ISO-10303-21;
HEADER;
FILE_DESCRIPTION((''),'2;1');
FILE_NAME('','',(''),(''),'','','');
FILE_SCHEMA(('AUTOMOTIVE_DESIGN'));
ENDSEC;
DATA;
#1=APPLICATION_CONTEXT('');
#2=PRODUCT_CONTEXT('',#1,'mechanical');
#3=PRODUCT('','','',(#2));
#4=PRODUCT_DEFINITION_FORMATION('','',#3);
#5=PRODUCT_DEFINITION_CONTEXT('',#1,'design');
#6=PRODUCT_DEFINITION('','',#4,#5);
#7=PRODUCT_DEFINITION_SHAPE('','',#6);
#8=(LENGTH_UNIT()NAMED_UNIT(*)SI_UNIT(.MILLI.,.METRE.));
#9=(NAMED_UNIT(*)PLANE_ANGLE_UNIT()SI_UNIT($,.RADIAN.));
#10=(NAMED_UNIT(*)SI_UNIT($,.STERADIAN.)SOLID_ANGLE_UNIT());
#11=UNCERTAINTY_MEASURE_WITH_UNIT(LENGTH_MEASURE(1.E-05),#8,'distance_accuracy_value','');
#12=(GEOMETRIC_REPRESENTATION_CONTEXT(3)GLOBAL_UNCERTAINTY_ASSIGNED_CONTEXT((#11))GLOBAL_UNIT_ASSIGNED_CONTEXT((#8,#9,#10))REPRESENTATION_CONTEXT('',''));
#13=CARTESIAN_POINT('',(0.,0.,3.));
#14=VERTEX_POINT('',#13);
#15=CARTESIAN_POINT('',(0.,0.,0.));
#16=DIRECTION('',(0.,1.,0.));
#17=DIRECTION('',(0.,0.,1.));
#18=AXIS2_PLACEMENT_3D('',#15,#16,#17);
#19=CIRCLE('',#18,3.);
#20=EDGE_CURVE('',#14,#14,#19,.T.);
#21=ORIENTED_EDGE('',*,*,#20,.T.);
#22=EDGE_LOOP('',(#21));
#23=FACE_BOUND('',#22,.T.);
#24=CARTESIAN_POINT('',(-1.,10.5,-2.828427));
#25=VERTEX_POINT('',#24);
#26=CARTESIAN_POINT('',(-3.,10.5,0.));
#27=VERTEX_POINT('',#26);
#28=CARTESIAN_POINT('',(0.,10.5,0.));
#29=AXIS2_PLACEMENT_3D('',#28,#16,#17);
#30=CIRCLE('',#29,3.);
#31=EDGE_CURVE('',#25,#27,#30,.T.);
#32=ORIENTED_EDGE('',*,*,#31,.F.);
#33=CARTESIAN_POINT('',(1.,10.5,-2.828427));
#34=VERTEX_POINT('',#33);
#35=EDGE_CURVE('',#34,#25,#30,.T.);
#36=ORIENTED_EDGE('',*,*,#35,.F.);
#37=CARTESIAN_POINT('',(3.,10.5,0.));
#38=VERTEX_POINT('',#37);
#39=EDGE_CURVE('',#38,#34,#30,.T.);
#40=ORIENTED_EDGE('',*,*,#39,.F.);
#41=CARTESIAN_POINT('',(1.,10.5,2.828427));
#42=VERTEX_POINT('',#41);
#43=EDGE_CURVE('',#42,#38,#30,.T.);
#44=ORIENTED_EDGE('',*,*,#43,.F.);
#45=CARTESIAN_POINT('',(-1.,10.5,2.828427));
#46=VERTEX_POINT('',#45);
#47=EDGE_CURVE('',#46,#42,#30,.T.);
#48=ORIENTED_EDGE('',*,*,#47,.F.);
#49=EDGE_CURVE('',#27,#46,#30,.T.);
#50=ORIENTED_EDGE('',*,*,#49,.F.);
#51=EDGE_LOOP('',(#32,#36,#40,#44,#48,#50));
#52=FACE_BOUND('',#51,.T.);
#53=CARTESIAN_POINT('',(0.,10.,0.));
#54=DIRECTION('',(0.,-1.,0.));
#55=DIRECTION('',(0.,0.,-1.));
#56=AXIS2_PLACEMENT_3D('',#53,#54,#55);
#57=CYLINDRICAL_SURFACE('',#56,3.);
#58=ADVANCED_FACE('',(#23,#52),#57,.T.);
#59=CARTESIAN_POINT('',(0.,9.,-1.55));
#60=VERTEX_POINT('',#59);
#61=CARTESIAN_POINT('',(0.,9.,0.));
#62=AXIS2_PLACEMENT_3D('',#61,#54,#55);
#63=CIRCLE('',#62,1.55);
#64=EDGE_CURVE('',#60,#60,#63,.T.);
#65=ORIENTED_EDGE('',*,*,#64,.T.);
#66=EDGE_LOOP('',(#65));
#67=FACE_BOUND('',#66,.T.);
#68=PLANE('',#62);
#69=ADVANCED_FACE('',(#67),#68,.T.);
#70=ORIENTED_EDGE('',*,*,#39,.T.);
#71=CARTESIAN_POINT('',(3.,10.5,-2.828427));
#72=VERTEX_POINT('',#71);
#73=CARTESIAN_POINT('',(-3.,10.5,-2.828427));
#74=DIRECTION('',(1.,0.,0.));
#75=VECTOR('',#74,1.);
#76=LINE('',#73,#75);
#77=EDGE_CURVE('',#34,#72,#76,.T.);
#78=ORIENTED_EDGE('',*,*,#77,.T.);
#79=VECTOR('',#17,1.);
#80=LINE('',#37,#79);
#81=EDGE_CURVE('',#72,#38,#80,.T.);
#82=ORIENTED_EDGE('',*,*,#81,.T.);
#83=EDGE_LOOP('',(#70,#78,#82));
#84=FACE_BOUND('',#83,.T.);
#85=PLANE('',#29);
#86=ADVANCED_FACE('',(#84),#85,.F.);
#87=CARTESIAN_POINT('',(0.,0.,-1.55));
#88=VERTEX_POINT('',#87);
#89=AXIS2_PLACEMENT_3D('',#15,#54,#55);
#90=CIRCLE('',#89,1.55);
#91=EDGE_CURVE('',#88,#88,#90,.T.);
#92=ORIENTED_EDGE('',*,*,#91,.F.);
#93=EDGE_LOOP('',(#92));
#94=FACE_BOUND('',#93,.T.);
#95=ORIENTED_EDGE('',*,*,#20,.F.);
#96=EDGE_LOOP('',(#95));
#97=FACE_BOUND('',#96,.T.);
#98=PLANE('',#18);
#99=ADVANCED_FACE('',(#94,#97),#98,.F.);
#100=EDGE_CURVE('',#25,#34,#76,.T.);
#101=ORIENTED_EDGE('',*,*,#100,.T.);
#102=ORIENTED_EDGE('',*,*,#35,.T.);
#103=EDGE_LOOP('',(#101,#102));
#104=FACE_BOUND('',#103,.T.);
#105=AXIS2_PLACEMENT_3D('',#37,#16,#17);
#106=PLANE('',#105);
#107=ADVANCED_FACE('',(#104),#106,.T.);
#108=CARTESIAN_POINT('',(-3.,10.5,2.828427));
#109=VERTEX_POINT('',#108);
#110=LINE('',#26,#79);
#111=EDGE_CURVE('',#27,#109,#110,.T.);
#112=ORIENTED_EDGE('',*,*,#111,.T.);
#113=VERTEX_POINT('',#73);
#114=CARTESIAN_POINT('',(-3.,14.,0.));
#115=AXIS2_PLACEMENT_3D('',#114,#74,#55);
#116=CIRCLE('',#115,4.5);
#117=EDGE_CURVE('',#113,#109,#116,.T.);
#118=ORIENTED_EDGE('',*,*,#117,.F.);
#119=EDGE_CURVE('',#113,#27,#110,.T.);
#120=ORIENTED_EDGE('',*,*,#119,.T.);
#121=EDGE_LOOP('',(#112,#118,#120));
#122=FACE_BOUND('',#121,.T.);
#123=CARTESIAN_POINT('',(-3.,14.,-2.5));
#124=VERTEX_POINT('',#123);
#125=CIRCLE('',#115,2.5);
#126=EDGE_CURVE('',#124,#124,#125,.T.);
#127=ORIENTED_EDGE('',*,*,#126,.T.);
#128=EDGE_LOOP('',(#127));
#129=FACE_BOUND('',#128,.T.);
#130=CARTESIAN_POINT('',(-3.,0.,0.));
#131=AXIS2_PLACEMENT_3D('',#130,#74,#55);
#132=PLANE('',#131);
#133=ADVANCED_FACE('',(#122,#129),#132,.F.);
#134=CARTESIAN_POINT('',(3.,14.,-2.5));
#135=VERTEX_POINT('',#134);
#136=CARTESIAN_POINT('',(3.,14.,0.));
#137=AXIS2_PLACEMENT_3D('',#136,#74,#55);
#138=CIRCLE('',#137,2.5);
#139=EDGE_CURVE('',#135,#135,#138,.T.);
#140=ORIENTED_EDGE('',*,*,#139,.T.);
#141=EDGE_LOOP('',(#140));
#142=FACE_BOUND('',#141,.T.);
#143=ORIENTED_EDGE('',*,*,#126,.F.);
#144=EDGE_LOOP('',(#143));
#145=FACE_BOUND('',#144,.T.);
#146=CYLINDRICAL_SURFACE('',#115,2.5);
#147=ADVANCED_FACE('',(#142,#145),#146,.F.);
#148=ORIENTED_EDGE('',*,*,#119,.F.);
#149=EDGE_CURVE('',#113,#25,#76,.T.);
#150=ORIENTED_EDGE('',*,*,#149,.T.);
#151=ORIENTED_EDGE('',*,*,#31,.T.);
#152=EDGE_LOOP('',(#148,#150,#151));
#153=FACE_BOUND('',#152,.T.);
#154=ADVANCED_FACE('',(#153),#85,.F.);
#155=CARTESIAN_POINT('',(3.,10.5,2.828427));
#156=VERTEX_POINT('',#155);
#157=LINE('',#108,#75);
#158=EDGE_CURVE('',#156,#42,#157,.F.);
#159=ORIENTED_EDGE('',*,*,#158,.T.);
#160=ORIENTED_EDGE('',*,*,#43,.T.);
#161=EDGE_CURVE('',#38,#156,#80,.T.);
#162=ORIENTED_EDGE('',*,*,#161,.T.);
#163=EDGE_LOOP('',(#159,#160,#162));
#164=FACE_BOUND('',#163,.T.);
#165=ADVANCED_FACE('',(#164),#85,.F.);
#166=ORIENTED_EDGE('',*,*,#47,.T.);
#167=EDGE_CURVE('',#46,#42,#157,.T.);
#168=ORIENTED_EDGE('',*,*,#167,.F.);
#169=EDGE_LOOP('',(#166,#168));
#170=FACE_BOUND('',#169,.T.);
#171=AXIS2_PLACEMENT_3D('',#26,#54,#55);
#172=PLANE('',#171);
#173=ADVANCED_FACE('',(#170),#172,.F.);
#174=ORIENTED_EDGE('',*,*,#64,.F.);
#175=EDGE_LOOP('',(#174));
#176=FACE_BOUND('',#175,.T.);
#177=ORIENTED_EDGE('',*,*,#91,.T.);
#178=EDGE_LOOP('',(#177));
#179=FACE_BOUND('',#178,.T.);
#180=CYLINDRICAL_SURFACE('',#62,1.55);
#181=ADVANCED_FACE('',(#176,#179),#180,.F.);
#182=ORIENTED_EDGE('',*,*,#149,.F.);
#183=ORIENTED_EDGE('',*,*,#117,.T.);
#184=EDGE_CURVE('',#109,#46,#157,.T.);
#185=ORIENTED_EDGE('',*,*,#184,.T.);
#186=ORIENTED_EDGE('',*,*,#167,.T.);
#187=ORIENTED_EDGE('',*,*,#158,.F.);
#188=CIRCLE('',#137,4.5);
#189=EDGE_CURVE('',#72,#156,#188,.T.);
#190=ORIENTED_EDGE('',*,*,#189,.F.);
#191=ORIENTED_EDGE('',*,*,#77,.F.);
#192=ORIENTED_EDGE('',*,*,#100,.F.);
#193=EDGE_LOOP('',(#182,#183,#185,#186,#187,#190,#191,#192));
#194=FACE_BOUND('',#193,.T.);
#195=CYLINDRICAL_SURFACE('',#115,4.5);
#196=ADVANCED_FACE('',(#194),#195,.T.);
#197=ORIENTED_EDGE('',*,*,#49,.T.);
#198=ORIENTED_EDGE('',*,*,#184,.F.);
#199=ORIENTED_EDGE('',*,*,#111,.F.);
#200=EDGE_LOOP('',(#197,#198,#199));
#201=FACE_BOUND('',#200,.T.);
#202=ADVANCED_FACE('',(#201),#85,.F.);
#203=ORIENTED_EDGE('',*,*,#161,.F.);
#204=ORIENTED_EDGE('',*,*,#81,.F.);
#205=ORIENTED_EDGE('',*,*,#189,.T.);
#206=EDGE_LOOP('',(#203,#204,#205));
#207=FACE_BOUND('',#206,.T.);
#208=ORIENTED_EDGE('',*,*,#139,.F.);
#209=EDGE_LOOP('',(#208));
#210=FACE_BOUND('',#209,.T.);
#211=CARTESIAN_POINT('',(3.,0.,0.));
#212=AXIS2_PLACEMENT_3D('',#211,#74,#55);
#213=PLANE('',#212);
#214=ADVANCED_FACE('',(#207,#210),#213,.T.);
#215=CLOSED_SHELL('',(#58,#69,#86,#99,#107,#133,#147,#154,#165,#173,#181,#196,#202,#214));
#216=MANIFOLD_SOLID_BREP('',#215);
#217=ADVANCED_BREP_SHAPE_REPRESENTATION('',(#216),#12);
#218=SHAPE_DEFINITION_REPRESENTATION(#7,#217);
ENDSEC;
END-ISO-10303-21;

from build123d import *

# Parameters (mm, degrees)
SKETCH1_R                 = 3
CRANK_BODY_DEPTH          = 10
SKETCH2_R                 = 1.55
DOWEL_SHAFT_DEPTH         = 9
PIN_SHAFT_BODY_DEPTH      = 3
PIN_SHAFT_BODY_DEPTH_BACK = 3
SKETCH4_R                 = 2.5
PIN_SHAFT_DEPTH           = 20.962464778
SKETCH1_2_OUTSIDE_W       = 12.286
SKETCH1_2_OUTSIDE_H       = 15.286
SKETCH1_2_OUTSIDE_R       = 3
SMOOTHING_CUTS_DEPTH      = 10.5


with BuildPart() as part:
    # Sketch1 → crank_body (new body)
    with BuildSketch(Plane(origin=(0, 0, 0), x_dir=(1, 0, 0), z_dir=(0, 1, 0))):
        Circle(SKETCH1_R)
    extrude(amount=CRANK_BODY_DEPTH)

    # Sketch2 → dowel_shaft (cut)
    with BuildSketch(Plane.XZ):
        Circle(SKETCH2_R)
    extrude(amount=-DOWEL_SHAFT_DEPTH, mode=Mode.SUBTRACT)

    # Sketch3 → pin_shaft_body (add, two sides: drawn at the far end of the back side and taken through both)
    with BuildSketch(Plane(origin=(0, 0, 0), x_dir=(0, 0, -1), z_dir=(1, 0, 0)).offset(-PIN_SHAFT_BODY_DEPTH_BACK)):
        with BuildLine():
            Line((-3, 10.5), (-3, 10))
            Line((-3, 10), (3, 10))
            Line((3, 10), (3, 10.5))
            Line((3, 10.5), (2.828427125, 10.5))
            ThreePointArc((2.828427125, 10.5), (0, 18.5), (-2.828427125, 10.5))
            Line((-2.828427125, 10.5), (-3, 10.5))
        make_face()
    extrude(amount=PIN_SHAFT_BODY_DEPTH + PIN_SHAFT_BODY_DEPTH_BACK)

    # Sketch4 → pin_shaft (cut, through all)
    with BuildSketch(Plane(origin=(3, 0, 0), x_dir=(0, 0, -1), z_dir=(1, 0, 0))):
        with Locations((0, 14)):
            Circle(SKETCH4_R)
    extrude(amount=-PIN_SHAFT_DEPTH, mode=Mode.SUBTRACT)

    # Sketch1<2> outside → smoothing_cuts (cut)
    with BuildSketch(Plane(origin=(0, 0, 0), x_dir=(1, 0, 0), z_dir=(0, 1, 0))):
        Rectangle(SKETCH1_2_OUTSIDE_W, SKETCH1_2_OUTSIDE_H)
        Circle(SKETCH1_2_OUTSIDE_R, mode=Mode.SUBTRACT)
    extrude(amount=SMOOTHING_CUTS_DEPTH, mode=Mode.SUBTRACT)


solid = part.part
